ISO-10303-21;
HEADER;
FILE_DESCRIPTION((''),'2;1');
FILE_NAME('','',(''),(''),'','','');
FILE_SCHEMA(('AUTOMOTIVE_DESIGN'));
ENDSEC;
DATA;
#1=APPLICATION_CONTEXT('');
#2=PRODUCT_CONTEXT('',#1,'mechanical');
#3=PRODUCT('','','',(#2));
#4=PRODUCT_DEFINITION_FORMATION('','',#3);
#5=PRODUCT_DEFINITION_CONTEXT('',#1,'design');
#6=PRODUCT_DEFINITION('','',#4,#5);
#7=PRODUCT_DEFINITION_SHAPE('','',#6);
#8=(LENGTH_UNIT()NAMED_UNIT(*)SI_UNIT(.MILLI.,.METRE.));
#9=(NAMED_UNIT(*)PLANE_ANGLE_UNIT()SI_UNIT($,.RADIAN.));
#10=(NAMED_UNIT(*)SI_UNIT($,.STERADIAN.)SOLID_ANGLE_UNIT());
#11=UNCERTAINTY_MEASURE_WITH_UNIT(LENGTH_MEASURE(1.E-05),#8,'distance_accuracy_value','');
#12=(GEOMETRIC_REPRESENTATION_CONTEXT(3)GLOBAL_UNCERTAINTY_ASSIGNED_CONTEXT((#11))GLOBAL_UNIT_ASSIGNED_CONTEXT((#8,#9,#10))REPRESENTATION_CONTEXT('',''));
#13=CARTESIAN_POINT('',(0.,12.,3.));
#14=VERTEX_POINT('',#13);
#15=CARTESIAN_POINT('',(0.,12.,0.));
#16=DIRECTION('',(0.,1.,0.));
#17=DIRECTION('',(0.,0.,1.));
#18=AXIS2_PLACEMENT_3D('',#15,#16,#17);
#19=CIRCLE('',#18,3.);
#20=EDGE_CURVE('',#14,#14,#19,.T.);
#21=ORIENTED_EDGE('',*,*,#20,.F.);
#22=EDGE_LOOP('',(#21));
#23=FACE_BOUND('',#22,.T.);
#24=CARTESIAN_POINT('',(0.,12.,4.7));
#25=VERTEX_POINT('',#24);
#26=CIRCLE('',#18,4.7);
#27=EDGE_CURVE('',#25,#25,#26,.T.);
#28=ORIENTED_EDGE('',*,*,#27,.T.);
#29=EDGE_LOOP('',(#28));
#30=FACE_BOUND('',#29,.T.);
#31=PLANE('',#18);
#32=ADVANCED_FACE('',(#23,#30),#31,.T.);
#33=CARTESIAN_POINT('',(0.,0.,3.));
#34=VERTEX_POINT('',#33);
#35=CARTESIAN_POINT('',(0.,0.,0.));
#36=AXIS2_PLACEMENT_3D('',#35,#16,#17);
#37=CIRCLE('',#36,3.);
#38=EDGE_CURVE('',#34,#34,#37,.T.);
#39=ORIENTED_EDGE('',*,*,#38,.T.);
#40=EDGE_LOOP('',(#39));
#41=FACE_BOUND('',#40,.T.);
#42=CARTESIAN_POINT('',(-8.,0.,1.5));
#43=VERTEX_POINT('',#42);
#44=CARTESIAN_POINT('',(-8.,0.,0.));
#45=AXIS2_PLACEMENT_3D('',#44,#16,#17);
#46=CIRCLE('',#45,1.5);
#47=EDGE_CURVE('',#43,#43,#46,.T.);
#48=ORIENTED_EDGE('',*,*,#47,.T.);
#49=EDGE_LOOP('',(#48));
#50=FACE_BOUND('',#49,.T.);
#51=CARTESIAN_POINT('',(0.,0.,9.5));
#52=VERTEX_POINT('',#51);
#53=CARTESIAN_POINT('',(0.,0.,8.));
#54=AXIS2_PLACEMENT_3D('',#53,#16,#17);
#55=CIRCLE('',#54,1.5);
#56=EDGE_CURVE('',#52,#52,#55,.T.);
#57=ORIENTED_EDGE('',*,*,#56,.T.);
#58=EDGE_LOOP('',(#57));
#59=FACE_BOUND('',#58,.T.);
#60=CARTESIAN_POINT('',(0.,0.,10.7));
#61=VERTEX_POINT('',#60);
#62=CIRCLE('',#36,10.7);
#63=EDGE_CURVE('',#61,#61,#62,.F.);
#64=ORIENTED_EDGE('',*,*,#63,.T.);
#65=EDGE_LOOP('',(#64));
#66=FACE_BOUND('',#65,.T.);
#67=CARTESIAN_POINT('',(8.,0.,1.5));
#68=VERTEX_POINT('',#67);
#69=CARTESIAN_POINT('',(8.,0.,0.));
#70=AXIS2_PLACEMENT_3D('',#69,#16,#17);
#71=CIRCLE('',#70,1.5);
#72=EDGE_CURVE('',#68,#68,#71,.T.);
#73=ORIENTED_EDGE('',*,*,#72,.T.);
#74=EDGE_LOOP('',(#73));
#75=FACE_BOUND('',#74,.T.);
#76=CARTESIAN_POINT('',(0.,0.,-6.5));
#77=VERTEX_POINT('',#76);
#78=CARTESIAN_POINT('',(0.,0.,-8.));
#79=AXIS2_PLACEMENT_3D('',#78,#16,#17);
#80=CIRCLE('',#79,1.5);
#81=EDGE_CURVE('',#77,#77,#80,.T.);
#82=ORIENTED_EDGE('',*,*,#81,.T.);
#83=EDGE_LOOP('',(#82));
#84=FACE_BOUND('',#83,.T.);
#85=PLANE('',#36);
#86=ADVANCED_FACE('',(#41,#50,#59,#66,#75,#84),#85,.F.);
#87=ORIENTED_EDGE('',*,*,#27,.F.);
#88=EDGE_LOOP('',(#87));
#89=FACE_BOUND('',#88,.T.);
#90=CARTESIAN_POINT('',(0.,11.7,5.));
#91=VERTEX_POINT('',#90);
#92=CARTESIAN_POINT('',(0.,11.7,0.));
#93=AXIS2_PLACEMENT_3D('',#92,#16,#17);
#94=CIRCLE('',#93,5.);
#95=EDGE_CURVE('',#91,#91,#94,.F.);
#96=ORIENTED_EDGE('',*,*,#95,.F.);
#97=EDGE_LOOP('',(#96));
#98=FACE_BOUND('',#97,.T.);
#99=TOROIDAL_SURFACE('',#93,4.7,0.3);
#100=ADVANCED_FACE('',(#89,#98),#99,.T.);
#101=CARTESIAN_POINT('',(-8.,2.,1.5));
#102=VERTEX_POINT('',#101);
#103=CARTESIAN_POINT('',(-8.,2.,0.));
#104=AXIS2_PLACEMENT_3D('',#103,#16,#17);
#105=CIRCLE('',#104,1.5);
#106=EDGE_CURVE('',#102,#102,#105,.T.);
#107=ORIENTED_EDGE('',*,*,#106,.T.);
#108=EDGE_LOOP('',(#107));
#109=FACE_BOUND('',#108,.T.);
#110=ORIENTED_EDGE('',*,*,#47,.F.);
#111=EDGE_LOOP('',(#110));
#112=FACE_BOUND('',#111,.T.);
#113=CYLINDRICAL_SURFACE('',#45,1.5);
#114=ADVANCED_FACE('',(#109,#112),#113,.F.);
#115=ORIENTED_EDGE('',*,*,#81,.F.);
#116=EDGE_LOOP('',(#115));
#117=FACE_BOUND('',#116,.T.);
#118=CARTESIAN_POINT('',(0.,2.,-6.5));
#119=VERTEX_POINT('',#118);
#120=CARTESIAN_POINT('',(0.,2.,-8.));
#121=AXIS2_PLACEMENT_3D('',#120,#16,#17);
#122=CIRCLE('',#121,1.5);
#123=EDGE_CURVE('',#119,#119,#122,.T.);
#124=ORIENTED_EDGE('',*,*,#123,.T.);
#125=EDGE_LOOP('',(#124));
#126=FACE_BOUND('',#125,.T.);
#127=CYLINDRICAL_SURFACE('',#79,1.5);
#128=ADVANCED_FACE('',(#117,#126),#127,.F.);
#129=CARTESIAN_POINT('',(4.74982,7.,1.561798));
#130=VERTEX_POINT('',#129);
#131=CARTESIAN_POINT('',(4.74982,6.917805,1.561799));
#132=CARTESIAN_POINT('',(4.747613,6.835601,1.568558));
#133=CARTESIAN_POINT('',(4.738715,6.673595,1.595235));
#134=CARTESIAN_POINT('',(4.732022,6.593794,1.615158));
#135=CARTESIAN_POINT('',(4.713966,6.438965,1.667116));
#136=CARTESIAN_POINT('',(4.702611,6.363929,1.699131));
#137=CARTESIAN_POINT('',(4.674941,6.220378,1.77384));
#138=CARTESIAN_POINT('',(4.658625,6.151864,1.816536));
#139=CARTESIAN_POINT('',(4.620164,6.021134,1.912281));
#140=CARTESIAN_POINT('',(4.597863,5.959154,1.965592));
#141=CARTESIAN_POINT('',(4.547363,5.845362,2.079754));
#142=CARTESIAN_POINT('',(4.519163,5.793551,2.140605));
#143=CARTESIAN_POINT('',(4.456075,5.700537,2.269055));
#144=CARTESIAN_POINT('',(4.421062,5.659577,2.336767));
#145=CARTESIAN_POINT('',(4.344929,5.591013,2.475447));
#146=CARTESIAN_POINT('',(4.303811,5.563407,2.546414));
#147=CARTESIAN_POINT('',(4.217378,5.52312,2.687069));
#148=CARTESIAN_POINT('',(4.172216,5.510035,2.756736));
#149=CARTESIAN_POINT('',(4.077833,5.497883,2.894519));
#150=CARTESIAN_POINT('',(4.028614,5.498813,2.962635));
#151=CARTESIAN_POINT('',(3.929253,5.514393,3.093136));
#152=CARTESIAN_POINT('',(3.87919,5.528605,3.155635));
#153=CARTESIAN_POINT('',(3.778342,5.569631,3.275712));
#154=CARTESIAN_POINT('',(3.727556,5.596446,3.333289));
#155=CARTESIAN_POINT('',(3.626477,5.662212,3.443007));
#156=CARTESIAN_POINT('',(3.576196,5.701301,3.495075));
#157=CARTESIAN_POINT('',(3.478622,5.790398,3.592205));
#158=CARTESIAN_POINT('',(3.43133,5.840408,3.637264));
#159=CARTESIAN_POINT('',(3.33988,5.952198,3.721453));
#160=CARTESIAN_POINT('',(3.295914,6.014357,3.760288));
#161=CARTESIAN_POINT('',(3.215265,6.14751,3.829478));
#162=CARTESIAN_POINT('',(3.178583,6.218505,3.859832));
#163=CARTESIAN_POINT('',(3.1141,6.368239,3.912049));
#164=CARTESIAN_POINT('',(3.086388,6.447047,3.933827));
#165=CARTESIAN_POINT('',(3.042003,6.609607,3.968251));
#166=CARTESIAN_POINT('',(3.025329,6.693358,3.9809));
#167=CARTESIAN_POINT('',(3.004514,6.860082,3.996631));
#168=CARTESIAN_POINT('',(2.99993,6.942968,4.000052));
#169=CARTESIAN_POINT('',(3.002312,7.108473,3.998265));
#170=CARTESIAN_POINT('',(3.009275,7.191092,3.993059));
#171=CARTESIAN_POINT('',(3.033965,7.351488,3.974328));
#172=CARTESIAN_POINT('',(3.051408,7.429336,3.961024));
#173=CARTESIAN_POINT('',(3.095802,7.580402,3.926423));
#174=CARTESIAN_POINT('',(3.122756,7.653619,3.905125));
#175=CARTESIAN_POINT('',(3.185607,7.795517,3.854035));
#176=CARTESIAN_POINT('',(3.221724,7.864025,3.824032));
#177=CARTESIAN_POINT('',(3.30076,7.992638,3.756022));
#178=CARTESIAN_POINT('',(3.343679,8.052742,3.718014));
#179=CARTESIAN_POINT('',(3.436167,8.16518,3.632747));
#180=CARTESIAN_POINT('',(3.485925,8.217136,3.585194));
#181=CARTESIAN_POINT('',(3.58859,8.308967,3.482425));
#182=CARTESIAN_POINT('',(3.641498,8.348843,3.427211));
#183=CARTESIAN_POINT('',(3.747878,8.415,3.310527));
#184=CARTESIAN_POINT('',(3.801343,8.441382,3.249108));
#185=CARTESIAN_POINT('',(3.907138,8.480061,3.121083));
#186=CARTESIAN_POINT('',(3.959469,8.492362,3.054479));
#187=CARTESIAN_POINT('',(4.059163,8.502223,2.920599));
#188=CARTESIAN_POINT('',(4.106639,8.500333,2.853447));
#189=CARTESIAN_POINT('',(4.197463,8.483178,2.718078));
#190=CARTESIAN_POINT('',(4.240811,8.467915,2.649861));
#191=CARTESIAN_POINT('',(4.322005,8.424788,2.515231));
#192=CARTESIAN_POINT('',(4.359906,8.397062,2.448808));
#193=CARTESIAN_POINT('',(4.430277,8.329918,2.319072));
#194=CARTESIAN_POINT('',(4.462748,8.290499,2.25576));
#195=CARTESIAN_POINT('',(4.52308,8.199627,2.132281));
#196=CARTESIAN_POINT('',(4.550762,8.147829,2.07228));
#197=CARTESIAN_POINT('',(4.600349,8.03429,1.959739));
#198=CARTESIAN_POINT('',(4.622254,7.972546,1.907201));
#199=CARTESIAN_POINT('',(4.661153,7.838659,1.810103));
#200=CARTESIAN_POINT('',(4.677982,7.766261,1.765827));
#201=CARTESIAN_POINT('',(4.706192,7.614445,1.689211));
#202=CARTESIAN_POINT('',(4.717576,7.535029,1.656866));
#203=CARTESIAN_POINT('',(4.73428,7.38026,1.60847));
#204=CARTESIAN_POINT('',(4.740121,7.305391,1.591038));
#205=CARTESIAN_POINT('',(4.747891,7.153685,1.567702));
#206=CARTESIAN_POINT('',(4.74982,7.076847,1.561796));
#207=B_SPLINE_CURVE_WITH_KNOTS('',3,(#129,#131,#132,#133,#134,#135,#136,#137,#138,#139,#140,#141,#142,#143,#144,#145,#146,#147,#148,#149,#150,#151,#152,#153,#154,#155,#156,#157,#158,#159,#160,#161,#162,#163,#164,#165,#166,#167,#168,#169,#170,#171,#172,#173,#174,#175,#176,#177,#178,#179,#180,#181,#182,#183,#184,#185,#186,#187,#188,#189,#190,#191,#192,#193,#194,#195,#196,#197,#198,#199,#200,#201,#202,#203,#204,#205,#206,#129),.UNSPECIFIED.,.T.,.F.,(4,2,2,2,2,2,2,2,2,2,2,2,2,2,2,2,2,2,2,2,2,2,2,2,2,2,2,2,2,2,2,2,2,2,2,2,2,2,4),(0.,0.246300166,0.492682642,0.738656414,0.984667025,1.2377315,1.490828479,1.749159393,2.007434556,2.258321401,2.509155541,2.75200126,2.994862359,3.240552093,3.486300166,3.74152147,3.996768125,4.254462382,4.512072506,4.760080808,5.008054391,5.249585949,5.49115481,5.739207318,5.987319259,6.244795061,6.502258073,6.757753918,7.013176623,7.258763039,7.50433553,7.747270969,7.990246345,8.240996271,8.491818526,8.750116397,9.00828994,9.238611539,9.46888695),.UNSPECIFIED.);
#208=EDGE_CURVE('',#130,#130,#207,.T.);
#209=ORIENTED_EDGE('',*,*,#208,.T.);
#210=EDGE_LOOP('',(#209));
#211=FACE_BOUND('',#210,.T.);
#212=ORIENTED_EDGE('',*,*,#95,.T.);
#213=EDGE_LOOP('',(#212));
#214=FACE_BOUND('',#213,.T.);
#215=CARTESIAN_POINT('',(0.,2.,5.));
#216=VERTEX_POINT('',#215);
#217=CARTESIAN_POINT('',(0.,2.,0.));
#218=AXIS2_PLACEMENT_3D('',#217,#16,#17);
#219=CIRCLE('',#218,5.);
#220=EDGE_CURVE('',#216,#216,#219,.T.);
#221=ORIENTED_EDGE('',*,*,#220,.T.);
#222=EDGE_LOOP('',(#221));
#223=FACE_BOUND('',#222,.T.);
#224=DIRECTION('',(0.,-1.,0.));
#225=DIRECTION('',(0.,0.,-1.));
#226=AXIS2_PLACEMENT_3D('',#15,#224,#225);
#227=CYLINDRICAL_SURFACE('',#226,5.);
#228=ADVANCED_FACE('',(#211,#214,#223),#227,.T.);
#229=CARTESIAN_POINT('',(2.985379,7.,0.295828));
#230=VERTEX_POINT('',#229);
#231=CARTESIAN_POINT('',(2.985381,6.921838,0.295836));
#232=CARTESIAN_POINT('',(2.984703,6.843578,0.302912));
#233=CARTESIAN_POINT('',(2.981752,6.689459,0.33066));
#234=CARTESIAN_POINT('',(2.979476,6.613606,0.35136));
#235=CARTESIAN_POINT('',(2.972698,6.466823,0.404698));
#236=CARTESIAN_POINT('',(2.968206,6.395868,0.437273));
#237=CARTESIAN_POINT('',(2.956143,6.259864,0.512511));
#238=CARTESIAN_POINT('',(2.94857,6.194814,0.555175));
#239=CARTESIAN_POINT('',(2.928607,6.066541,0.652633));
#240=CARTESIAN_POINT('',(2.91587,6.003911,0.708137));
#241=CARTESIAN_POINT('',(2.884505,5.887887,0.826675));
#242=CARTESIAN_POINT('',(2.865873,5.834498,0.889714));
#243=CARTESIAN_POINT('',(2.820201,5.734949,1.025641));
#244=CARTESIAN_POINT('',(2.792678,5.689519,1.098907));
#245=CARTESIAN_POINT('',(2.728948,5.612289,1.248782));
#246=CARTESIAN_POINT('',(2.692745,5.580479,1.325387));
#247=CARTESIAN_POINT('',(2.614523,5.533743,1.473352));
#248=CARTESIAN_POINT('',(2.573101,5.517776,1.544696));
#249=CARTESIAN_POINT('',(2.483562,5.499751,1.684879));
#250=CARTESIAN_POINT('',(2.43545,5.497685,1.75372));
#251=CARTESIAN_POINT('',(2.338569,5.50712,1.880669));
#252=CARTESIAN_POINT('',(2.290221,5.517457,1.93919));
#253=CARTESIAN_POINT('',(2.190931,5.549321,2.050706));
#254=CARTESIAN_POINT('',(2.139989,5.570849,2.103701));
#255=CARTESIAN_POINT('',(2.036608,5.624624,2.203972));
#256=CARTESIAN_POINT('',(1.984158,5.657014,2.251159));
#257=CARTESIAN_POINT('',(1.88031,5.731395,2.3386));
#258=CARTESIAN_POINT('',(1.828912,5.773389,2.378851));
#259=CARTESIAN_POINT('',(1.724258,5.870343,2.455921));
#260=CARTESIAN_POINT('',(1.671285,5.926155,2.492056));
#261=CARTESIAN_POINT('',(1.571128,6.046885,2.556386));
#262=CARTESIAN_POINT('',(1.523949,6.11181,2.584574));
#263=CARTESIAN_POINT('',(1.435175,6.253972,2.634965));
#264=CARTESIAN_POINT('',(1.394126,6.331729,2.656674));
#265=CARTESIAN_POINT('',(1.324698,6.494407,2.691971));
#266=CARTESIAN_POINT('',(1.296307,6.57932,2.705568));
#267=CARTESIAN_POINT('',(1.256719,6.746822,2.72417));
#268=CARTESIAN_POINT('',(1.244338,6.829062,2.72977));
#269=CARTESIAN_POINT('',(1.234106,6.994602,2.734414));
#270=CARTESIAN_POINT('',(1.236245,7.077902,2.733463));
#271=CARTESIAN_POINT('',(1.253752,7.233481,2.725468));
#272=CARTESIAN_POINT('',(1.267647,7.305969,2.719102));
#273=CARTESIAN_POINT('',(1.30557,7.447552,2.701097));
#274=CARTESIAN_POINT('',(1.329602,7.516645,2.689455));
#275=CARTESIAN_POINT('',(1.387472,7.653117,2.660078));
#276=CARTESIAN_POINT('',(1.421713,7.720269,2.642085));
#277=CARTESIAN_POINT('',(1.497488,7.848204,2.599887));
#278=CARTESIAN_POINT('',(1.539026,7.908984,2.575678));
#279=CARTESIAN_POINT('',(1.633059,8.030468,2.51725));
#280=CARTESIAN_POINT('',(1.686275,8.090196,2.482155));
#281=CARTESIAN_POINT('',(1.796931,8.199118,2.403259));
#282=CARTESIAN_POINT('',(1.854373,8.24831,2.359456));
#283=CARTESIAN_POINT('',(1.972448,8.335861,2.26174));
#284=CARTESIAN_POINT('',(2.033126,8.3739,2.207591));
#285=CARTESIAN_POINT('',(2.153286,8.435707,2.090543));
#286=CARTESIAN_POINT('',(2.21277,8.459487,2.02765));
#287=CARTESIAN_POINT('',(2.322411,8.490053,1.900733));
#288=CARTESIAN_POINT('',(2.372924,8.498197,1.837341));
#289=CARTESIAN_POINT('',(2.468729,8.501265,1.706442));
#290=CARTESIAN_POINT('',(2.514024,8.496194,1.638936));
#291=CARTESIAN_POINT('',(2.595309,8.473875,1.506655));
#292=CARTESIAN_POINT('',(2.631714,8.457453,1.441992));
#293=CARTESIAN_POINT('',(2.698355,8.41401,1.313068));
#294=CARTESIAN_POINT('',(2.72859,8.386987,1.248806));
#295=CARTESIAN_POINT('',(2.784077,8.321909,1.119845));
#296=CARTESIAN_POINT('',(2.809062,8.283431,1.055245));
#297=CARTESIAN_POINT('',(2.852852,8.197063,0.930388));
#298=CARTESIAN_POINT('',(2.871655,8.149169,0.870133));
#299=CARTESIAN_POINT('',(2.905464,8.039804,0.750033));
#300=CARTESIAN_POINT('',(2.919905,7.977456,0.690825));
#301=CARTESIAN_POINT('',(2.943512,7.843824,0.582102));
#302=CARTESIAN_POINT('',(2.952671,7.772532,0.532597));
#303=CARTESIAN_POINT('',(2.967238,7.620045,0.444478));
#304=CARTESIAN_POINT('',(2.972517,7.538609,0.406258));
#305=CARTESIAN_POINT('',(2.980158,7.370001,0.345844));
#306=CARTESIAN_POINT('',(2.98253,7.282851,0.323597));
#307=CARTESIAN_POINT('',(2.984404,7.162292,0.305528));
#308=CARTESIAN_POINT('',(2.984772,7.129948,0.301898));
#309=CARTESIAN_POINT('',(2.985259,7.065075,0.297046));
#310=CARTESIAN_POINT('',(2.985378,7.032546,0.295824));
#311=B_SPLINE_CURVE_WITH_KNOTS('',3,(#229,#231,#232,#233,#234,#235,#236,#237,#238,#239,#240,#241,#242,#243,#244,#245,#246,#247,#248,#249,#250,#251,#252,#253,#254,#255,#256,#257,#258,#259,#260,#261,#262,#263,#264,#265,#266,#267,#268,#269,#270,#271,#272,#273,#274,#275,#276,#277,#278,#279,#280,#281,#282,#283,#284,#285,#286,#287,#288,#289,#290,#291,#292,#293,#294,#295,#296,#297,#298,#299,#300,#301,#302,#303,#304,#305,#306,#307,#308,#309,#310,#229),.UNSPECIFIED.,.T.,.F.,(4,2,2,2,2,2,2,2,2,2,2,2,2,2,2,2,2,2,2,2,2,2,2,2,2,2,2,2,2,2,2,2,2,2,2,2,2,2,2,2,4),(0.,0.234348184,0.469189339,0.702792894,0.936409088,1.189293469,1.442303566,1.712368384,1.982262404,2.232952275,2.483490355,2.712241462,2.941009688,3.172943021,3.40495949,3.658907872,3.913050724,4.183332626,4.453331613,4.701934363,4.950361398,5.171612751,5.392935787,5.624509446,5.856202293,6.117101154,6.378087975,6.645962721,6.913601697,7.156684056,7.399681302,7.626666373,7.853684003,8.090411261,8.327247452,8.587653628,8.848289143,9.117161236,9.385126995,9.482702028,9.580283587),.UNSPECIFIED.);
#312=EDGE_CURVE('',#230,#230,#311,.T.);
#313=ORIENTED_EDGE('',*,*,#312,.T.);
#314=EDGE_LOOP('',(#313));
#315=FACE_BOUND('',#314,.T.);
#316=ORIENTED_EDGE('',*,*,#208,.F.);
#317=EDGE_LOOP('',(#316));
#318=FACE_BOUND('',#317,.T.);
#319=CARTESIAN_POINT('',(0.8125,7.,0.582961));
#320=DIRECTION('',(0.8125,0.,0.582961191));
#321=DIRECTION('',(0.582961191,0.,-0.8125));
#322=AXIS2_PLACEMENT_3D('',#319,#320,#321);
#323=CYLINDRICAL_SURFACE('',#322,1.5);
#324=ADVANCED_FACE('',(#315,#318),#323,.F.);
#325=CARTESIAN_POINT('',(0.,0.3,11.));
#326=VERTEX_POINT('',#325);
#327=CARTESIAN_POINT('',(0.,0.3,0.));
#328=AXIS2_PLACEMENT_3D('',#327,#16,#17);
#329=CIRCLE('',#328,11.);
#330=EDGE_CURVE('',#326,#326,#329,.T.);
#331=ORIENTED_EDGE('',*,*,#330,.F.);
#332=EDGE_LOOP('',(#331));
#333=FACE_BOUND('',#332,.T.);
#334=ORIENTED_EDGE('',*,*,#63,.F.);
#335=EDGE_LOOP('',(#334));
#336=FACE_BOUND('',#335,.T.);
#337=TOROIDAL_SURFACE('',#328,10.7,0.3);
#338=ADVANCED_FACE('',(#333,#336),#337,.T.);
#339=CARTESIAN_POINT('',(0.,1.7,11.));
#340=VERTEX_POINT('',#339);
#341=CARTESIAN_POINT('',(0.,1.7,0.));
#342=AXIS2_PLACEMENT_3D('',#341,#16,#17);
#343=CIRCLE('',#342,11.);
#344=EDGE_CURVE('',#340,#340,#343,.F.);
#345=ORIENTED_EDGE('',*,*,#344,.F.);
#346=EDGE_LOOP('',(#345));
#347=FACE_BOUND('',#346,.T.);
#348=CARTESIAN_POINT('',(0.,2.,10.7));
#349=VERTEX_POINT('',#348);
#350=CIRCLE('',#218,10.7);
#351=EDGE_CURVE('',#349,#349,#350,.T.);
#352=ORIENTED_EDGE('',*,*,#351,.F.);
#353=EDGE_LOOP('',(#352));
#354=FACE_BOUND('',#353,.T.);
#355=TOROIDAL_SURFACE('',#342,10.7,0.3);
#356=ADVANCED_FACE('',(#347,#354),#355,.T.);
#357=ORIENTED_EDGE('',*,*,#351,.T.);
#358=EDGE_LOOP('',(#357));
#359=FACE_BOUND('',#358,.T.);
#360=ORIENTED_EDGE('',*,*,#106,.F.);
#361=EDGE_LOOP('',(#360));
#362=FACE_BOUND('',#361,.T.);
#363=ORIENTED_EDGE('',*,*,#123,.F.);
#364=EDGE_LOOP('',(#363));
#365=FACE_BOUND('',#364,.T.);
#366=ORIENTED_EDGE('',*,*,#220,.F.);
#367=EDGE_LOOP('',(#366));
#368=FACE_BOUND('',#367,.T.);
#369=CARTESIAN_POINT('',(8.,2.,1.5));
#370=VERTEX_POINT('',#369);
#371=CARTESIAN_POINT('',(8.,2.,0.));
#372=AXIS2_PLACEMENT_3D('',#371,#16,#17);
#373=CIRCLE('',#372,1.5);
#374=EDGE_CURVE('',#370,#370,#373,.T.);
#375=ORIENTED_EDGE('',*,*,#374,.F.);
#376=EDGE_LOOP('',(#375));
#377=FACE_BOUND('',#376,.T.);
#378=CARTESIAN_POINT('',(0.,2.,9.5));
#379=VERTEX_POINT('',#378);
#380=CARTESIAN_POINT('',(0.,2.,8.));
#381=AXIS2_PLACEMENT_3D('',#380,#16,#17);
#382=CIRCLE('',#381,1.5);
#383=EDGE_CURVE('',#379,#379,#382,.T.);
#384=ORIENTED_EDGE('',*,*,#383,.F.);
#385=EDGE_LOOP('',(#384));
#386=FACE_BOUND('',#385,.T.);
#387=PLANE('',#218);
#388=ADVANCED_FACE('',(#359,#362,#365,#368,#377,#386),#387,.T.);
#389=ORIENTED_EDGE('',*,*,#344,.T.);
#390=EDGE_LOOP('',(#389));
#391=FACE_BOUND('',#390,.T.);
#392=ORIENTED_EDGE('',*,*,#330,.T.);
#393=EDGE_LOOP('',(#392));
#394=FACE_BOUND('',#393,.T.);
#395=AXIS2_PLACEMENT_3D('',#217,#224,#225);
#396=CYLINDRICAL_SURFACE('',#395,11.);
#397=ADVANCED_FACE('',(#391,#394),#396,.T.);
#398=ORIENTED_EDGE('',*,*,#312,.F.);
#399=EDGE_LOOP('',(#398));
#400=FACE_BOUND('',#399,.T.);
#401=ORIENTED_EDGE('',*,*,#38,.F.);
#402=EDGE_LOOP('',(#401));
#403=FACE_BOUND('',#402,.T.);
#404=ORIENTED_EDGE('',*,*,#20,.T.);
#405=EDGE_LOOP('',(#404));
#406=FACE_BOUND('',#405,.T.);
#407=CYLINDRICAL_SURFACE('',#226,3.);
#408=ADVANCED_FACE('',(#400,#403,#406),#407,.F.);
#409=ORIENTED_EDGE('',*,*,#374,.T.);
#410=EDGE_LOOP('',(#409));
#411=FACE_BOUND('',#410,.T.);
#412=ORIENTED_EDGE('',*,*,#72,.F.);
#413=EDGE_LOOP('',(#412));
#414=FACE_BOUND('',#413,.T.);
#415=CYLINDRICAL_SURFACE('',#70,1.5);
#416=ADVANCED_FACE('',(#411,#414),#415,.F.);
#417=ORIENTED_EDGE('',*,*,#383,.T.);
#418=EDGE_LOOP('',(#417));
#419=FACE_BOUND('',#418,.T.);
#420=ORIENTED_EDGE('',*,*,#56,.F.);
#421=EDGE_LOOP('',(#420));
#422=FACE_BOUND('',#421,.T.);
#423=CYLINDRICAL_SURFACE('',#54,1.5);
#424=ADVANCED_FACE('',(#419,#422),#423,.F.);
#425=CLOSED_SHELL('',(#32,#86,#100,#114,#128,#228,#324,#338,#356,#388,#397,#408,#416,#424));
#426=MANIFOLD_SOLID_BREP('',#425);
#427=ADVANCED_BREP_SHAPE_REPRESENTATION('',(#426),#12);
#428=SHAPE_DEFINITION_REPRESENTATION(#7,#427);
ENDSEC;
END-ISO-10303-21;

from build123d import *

# Parameters (mm, degrees)
SKETCH1_R           = 5
BOSS_EXTRUDE2_DEPTH = 12
SKETCH3_R           = 11
BOSS_EXTRUDE3_DEPTH = 2
SKETCH4_R           = 3
CUT_EXTRUDE1_DEPTH  = 12
SKETCH5_R           = 1.5
CUT_EXTRUDE2_DEPTH  = 2
FILLET1_R           = 0.3
SKETCH7_R           = 1.5
CUT_EXTRUDE3_DEPTH  = 4


with BuildPart() as part:
    # Sketch1 → Boss-Extrude2 (new body)
    with BuildSketch(Plane(origin=(0, 0, 0), x_dir=(1, 0, 0), z_dir=(0, 1, 0))):
        with Locations(Location((0, 0, 0), (0, 0, 270))):
            Circle(SKETCH1_R)
    extrude(amount=BOSS_EXTRUDE2_DEPTH)

    # Sketch3 → Boss-Extrude3 (add)
    with BuildSketch(Plane(origin=(0, 0, 0), x_dir=(1, 0, 0), z_dir=(0, 1, 0))):
        with Locations(Location((0, 0, 0), (0, 0, 270))):
            Circle(SKETCH3_R)
    extrude(amount=BOSS_EXTRUDE3_DEPTH)

    # Sketch4 → Cut-Extrude1 (cut)
    with BuildSketch(Plane(origin=(0, 0, 0), x_dir=(1, 0, 0), z_dir=(0, 1, 0))):
        with Locations(Location((0, 0, 0), (0, 0, 270))):
            Circle(SKETCH4_R)
    extrude(amount=CUT_EXTRUDE1_DEPTH, mode=Mode.SUBTRACT)

    # Sketch5 → Cut-Extrude2 (cut)
    with BuildSketch(Plane(origin=(0, 2, 0), x_dir=(1, 0, 0), z_dir=(0, 1, 0))):
        with Locations(Location((0, 8, 0), (0, 0, 270))):
            Circle(SKETCH5_R)
        with Locations(Location((8, 0, 0), (0, 0, 270))):
            Circle(SKETCH5_R)
        with Locations(Location((0, -8, 0), (0, 0, 270))):
            Circle(SKETCH5_R)
        with Locations(Location((-8, 0, 0), (0, 0, 270))):
            Circle(SKETCH5_R)
    extrude(amount=-CUT_EXTRUDE2_DEPTH, mode=Mode.SUBTRACT)

    # Fillet1
    fillet1_edges = [part.edges().sort_by_distance(p)[0] for p in [
        (0, 12, -5),
        (0, 0, -11),
        (0, 2, -11),
    ]]
    fillet(fillet1_edges, radius=FILLET1_R)

    # Sketch7 → Cut-Extrude3 (cut)
    with BuildSketch(Plane(origin=(4.0625, 0, 2.914805954), x_dir=(0.5829611908180293, 0, -0.8125000000000155), z_dir=(0.8125000000000155, 0, 0.5829611908180293))):
        with Locations((0, 7)):
            Circle(SKETCH7_R)
    extrude(amount=-CUT_EXTRUDE3_DEPTH, mode=Mode.SUBTRACT)


solid = part.part
